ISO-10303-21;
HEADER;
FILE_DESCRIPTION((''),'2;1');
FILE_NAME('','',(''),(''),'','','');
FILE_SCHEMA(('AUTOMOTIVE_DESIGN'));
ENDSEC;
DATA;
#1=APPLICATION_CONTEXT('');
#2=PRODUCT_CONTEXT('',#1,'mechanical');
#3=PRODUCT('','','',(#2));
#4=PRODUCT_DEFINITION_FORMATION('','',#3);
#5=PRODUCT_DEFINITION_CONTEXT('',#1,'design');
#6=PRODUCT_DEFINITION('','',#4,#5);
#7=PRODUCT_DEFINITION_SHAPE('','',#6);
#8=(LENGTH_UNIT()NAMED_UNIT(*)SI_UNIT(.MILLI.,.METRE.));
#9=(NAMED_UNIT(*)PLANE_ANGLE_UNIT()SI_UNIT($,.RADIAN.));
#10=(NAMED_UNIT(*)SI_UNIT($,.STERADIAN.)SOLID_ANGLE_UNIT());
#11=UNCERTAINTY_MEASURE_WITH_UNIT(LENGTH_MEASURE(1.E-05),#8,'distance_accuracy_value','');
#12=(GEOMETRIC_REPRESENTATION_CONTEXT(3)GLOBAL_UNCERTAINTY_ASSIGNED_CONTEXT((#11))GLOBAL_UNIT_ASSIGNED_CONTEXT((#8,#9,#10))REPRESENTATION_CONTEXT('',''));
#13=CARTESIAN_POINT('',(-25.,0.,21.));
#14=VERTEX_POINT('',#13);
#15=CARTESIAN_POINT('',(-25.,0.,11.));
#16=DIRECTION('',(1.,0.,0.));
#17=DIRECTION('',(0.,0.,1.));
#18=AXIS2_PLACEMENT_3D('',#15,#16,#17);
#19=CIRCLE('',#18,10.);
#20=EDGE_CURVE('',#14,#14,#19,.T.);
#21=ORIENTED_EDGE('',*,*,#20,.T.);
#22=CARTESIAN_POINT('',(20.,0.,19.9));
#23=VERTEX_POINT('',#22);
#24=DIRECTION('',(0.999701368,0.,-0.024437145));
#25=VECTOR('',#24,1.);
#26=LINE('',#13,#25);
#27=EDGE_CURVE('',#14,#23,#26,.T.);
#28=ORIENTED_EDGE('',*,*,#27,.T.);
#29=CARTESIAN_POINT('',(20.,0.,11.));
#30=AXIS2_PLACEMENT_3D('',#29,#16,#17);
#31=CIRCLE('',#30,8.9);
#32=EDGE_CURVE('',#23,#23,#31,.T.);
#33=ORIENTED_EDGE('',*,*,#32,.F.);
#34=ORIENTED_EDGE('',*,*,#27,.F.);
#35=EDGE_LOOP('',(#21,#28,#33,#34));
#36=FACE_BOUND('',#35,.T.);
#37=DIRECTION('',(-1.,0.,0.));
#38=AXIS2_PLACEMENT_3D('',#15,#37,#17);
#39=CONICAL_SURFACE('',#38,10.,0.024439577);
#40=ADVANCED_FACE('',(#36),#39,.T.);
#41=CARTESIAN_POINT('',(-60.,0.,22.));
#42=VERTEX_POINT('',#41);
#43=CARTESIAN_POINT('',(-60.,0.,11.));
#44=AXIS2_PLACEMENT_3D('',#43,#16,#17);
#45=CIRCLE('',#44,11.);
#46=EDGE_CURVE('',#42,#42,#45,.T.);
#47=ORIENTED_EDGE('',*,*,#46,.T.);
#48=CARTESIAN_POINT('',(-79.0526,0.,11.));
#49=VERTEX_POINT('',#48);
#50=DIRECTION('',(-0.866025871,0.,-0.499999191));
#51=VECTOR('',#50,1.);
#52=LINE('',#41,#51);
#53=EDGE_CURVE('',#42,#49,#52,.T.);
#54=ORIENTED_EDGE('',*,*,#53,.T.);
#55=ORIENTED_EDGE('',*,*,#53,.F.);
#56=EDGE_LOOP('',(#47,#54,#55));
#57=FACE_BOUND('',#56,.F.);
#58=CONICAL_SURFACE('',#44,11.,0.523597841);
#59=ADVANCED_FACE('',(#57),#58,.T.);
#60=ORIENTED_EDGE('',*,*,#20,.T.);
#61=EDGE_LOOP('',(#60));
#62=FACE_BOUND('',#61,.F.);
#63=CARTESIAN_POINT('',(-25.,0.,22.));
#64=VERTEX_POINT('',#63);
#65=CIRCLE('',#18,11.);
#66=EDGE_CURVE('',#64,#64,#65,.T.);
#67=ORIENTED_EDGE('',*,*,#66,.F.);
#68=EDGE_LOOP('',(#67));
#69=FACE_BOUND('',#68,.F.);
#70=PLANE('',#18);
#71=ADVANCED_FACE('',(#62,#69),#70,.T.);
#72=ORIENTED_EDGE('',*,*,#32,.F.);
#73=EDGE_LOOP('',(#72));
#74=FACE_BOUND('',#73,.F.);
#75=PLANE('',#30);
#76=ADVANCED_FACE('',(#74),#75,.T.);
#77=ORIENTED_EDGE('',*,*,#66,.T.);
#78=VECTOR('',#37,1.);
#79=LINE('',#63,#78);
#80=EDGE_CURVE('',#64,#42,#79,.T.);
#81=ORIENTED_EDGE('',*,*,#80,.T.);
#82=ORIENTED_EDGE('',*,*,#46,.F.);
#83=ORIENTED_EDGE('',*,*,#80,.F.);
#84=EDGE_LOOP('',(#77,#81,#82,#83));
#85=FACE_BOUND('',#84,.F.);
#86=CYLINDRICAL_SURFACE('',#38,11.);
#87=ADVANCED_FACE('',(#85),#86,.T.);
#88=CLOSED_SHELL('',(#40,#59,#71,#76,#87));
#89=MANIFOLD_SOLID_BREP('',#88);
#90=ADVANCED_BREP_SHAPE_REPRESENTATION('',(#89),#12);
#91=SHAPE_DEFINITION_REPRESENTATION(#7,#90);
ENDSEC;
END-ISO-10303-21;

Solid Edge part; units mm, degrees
sketch "Sketch1" plane through (0, 0, 0) normal (0, -1, 0) x (1, 0, 0)
  line L0 (-25, 22) -> (-60, 22)
  line L1 (-60, 22) -> (-79.0526, 11)
  line L2 (20, 11) -> (20, 19.9)
  line L3 (-25, 21) -> (20, 19.9)
  line L4 (-25, 21) -> (-25, 22)
revolve "RevolvedProtrusion1" add sketch "Sketch1" angle 360 about axis through (-79.0526, 0, 11) along (1, 0, 0)
